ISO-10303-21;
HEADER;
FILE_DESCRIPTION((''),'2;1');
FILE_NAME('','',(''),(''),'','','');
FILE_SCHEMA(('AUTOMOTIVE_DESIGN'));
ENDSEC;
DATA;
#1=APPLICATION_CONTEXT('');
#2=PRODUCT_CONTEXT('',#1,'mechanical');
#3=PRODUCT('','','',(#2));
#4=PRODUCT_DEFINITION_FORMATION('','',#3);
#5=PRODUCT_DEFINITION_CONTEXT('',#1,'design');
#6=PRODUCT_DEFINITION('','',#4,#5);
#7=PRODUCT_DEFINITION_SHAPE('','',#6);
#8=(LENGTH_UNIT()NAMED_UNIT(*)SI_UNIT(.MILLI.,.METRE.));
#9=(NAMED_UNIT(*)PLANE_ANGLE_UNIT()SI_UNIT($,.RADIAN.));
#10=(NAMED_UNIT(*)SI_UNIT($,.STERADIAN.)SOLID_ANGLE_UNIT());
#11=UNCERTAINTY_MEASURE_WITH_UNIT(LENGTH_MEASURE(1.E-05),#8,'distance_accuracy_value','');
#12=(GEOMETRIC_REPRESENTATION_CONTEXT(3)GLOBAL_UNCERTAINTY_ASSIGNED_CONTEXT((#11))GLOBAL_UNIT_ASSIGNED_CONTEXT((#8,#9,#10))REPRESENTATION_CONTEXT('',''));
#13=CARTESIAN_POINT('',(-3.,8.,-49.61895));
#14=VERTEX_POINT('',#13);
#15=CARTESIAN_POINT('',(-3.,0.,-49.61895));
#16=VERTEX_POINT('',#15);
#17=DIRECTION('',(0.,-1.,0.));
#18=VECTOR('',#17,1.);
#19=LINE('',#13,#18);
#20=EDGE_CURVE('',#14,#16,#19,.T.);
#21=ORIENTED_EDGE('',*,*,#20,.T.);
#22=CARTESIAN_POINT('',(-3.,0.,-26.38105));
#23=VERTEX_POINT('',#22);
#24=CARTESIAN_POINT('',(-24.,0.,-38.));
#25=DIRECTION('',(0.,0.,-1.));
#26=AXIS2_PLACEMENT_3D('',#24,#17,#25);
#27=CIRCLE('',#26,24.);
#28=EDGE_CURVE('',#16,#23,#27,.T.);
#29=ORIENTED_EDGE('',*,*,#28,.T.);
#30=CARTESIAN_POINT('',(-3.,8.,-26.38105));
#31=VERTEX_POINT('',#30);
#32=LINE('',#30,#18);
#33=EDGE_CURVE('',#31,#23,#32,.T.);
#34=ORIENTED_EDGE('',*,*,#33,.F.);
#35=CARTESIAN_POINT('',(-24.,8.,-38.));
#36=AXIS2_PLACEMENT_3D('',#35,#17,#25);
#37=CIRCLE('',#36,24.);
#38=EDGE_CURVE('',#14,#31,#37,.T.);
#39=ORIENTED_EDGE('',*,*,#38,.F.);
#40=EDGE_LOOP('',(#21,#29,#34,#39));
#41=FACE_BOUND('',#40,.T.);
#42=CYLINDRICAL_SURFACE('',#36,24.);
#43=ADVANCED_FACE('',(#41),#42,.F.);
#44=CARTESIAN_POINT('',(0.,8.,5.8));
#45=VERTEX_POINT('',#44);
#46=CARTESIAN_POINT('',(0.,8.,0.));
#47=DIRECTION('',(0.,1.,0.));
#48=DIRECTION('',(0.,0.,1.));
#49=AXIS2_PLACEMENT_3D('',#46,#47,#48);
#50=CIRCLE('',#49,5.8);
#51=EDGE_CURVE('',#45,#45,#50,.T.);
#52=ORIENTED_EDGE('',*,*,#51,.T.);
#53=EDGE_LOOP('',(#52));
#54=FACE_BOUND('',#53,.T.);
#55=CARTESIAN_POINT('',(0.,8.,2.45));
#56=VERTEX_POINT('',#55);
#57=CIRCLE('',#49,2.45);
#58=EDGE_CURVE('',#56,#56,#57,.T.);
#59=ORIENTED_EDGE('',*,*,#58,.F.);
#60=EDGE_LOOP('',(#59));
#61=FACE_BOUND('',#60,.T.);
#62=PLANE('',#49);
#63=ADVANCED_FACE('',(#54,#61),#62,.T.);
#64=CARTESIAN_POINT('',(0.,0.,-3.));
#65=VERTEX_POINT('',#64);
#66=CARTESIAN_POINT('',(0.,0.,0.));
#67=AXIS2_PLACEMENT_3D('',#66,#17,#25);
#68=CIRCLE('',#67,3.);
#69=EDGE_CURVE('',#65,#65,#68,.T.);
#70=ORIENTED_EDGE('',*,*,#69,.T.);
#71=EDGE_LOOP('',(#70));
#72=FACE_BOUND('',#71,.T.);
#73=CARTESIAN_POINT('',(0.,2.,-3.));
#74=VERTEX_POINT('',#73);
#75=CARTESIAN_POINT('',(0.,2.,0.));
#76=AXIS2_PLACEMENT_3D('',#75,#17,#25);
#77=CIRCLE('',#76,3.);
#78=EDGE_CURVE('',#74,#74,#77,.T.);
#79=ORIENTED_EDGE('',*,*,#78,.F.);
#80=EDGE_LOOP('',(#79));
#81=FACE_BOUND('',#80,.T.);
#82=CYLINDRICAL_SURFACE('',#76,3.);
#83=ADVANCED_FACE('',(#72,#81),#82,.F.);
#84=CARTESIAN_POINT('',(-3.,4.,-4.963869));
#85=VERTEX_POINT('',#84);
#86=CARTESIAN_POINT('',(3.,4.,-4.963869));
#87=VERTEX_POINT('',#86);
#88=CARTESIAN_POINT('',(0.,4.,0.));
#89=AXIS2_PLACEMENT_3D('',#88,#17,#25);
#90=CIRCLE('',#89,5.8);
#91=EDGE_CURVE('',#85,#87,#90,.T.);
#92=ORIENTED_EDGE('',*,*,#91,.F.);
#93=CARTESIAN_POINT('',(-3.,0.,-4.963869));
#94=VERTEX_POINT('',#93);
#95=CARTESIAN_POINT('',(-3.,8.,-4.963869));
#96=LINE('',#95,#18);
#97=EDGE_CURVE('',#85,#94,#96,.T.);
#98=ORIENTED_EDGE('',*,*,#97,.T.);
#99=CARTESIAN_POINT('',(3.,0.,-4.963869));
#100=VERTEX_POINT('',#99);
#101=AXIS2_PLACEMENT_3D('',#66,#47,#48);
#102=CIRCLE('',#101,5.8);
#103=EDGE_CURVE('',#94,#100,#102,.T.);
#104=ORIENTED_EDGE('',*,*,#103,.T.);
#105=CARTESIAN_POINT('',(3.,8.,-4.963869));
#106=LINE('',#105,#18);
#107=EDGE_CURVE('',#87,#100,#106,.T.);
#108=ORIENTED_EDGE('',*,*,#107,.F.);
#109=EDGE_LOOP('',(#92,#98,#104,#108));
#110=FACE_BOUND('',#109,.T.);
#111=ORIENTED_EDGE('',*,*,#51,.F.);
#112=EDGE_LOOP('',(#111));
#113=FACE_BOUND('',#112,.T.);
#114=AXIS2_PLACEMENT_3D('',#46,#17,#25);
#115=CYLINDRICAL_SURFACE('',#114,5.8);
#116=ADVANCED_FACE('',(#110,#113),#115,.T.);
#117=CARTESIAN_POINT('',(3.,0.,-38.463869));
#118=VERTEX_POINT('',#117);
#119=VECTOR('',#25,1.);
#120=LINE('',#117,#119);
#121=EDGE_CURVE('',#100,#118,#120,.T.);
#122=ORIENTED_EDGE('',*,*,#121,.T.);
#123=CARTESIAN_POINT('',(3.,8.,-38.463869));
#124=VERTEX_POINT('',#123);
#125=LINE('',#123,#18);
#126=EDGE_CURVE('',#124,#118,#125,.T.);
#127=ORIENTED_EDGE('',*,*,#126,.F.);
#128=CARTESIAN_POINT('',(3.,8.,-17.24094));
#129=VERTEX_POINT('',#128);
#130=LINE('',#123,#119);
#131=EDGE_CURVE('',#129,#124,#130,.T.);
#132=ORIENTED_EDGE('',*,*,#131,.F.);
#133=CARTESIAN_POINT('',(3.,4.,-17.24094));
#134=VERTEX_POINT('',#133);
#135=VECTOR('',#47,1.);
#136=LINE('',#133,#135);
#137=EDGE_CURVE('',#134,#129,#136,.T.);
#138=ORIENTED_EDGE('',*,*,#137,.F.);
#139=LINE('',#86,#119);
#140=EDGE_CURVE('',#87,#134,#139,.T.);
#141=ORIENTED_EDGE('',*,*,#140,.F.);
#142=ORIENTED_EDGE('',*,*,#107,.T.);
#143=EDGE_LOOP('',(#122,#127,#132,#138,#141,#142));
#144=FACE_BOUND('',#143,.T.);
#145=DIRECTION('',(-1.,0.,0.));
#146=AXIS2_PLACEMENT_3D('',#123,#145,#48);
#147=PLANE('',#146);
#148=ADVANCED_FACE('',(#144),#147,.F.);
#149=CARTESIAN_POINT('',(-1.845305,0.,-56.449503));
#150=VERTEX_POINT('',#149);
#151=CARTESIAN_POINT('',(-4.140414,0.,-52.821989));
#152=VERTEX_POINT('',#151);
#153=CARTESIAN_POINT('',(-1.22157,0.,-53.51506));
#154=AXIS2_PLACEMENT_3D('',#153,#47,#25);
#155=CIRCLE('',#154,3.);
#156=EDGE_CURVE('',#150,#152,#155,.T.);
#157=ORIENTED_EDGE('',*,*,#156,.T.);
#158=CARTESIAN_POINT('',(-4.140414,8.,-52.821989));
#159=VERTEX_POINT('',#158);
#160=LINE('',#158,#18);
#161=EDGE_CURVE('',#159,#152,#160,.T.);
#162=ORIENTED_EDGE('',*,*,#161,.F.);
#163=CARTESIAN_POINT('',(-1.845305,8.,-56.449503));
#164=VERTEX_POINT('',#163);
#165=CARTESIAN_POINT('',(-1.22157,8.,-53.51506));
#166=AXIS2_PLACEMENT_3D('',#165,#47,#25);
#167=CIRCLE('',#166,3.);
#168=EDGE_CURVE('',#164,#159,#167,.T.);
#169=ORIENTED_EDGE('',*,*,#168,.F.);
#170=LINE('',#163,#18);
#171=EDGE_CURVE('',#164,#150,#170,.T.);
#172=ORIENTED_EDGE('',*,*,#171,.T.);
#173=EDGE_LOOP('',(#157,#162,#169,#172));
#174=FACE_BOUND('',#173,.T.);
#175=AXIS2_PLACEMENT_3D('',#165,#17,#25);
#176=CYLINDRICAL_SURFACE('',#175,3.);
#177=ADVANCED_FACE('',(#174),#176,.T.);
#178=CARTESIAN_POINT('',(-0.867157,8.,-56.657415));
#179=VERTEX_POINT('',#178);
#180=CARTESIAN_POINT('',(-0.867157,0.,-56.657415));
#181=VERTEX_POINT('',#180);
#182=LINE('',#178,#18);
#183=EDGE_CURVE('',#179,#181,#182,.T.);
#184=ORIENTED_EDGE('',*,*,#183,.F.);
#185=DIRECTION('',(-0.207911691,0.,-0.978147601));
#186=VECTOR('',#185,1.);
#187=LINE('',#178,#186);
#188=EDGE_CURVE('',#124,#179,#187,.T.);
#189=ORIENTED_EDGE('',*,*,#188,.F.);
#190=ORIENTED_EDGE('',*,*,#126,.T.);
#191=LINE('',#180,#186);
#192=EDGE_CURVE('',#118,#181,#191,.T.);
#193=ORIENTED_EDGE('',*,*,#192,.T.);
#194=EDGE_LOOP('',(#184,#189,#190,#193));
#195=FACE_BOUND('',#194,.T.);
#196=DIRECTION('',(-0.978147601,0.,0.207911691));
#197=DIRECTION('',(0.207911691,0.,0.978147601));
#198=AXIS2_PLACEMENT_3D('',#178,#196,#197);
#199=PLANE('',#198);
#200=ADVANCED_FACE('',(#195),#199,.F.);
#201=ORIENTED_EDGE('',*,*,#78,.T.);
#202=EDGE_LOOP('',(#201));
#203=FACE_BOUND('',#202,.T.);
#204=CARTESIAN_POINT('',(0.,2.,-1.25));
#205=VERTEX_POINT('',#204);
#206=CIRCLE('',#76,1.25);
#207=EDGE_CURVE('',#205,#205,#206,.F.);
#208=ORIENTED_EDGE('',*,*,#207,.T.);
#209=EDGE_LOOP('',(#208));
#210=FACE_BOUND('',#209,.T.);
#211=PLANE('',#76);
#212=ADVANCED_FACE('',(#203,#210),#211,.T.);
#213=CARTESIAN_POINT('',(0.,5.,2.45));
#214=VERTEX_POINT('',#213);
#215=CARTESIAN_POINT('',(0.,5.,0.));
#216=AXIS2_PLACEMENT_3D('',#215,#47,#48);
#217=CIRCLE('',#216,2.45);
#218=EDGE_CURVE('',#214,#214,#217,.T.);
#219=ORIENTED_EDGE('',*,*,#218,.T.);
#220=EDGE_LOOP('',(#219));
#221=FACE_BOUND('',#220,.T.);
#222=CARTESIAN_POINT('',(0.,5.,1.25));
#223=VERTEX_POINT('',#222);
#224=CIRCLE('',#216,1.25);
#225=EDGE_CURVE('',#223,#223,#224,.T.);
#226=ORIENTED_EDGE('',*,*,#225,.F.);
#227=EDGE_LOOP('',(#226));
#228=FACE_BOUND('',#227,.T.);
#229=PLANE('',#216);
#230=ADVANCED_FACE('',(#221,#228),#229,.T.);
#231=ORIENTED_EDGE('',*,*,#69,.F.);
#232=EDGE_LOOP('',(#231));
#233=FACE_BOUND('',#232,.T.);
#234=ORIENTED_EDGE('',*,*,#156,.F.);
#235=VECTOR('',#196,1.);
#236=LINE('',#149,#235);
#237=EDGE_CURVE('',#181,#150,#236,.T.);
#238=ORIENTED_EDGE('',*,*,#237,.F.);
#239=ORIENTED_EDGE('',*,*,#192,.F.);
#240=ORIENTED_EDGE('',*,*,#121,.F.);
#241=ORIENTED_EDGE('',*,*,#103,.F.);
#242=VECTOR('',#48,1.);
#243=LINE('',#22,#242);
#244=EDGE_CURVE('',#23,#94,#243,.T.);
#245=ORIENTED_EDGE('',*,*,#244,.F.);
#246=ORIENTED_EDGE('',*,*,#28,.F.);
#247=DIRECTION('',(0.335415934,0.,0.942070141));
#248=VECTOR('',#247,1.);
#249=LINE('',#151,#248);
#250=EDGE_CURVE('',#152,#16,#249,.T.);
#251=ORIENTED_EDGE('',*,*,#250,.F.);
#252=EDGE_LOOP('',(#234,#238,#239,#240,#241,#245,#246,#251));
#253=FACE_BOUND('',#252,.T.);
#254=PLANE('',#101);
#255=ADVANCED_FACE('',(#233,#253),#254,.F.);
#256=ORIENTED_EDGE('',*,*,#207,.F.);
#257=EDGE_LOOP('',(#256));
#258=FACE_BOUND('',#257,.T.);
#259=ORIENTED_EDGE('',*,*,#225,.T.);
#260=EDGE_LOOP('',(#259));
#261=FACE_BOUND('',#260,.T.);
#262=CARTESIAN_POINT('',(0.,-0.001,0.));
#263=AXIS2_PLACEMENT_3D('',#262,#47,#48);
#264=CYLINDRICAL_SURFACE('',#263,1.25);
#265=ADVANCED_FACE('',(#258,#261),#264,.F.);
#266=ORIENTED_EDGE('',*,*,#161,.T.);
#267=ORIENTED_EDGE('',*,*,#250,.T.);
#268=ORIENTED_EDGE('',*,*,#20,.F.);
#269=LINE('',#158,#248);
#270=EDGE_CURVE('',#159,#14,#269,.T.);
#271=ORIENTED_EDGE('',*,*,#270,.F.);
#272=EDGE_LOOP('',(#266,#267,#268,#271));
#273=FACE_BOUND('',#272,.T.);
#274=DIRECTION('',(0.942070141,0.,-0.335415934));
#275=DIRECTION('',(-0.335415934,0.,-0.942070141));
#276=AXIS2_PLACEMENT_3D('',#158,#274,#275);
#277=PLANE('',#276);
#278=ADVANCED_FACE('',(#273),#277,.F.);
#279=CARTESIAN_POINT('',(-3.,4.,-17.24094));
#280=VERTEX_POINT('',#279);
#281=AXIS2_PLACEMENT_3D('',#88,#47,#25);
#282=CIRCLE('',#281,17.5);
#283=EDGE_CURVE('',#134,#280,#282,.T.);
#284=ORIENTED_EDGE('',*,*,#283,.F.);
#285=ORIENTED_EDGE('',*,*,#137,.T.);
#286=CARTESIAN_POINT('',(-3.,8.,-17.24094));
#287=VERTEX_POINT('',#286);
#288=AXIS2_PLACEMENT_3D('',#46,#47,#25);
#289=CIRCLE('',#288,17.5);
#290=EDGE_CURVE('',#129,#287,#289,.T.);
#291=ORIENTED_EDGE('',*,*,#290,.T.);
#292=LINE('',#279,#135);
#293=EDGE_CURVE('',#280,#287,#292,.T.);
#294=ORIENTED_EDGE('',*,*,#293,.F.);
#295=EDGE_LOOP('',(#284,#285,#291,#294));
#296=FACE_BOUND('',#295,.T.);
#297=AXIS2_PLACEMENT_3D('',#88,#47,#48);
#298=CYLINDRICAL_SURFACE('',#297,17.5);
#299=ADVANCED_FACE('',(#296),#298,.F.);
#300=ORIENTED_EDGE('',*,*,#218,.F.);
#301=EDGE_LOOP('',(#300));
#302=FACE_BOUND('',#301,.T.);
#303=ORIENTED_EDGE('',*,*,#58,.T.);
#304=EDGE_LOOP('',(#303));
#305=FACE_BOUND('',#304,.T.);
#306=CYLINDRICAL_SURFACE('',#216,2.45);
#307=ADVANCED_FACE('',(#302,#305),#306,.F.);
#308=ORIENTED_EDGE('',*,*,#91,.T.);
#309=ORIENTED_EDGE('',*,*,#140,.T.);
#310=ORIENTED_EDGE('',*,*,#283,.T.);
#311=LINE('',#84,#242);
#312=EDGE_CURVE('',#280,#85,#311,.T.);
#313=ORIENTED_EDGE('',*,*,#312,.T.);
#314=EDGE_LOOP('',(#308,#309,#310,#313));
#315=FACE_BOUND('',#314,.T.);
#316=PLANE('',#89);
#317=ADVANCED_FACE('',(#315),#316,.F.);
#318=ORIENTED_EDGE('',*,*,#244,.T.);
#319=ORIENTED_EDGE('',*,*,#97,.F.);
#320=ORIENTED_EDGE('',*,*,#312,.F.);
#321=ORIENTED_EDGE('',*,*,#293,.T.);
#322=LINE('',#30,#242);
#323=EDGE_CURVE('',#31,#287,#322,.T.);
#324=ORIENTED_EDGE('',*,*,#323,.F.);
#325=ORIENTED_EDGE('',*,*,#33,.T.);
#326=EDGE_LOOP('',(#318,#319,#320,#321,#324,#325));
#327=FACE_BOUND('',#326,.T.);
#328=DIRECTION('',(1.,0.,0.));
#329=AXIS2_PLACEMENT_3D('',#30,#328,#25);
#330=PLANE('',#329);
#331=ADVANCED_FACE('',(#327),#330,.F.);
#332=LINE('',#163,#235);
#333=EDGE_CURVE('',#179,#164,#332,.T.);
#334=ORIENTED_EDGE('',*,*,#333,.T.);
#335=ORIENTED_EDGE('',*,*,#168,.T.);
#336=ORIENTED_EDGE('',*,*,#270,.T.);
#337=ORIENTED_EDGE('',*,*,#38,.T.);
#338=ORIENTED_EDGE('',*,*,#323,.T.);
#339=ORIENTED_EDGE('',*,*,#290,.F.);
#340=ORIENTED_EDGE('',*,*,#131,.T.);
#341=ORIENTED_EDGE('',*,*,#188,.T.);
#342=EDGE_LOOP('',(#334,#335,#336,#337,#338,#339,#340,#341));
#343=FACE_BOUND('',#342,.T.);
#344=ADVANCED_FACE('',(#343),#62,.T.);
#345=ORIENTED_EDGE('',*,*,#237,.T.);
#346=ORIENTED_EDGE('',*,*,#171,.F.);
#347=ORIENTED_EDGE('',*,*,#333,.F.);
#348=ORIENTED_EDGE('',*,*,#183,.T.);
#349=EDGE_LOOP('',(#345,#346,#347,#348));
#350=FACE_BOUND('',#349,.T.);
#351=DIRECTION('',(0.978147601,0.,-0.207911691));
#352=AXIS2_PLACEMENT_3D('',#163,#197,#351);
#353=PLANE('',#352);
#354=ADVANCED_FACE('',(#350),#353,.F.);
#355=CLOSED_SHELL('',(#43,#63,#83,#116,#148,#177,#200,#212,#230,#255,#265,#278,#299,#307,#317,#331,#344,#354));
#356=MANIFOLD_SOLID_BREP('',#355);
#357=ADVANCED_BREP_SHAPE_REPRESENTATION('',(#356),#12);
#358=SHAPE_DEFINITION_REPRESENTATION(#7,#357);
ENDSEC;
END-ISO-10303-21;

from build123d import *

# Parameters (mm, degrees)
BOSS_EXTRU_1_DEPTH      = 8
ESQUISSE2_R             = 2.45
ENL_V_MAT_EXTRU_1_DEPTH = 3
ENL_V_MAT_EXTRU_2_REACH = 7
ESQUISSE3_R             = 1.25
ESQUISSE4_R             = 3
ENL_V_MAT_EXTRU_3_DEPTH = 2
ENL_V_MAT_EXTRU_4_DEPTH = 4


with BuildPart() as part:
    # Esquisse1 → Boss.-Extru.1 (new body)
    with BuildSketch(Plane(origin=(0, 0, 0), x_dir=(1, 0, 0), z_dir=(0, 1, 0))):
        with BuildLine():
            Line((-3, 26.381049961), (-3, 4.963869458))
            ThreePointArc((-3, 4.963869458), (0, -5.8), (3, 4.963869458))
            Line((3, 4.963869458), (3, 38.463869458))
            Line((3, 38.463869458), (-0.867157449, 56.657414832))
            Line((-0.867157449, 56.657414832), (-1.84530505, 56.449503141))
            ThreePointArc((-1.84530505, 56.449503141), (-3.756758837, 55.119060789), (-4.140414176, 52.821988519))
            Line((-4.140414176, 52.821988519), (-3, 49.618950039))
            ThreePointArc((-3, 49.618950039), (0, 38), (-3, 26.381049961))
        make_face()
    extrude(amount=BOSS_EXTRU_1_DEPTH)

    # Esquisse2 → Enlèv. mat.-Extru.1 (cut)
    with BuildSketch(Plane(origin=(0, 8, 0), x_dir=(1, 0, 0), z_dir=(0, 1, 0))):
        Circle(ESQUISSE2_R)
    extrude(amount=-ENL_V_MAT_EXTRU_1_DEPTH, mode=Mode.SUBTRACT)

    # Esquisse3 → Enlèv. mat.-Extru.2 (cut, up to next)
    with BuildSketch(Plane(origin=(0, 5, 0), x_dir=(1, 0, 0), z_dir=(0, 1, 0)), mode=Mode.PRIVATE) as enl_v_mat_extru_2_sk1:
        Circle(ESQUISSE3_R)
    enl_v_mat_extru_2_tool1 = extrude(enl_v_mat_extru_2_sk1.sketch, amount=-ENL_V_MAT_EXTRU_2_REACH, mode=Mode.PRIVATE) & part.part
    add(enl_v_mat_extru_2_tool1.solids().sort_by_distance((0, 5, 0))[0], mode=Mode.SUBTRACT)

    # Esquisse4 → Enlèv. mat.-Extru.3 (cut)
    with BuildSketch(Plane.XZ):
        Circle(ESQUISSE4_R)
    extrude(amount=-ENL_V_MAT_EXTRU_3_DEPTH, mode=Mode.SUBTRACT)

    # Esquisse5 → Enlèv. mat.-Extru.4 (cut)
    with BuildSketch(Plane(origin=(0, 8, 0), x_dir=(1, 0, 0), z_dir=(0, 1, 0))):
        with BuildLine():
            Line((-3, 4.963869458), (-3, 17.24093965))
            ThreePointArc((-3, 17.24093965), (0, 17.5), (3, 17.24093965))
            Line((3, 17.24093965), (3, 4.963869458))
            ThreePointArc((3, 4.963869458), (0, 5.8), (-3, 4.963869458))
        make_face()
    extrude(amount=-ENL_V_MAT_EXTRU_4_DEPTH, mode=Mode.SUBTRACT)


solid = part.part
